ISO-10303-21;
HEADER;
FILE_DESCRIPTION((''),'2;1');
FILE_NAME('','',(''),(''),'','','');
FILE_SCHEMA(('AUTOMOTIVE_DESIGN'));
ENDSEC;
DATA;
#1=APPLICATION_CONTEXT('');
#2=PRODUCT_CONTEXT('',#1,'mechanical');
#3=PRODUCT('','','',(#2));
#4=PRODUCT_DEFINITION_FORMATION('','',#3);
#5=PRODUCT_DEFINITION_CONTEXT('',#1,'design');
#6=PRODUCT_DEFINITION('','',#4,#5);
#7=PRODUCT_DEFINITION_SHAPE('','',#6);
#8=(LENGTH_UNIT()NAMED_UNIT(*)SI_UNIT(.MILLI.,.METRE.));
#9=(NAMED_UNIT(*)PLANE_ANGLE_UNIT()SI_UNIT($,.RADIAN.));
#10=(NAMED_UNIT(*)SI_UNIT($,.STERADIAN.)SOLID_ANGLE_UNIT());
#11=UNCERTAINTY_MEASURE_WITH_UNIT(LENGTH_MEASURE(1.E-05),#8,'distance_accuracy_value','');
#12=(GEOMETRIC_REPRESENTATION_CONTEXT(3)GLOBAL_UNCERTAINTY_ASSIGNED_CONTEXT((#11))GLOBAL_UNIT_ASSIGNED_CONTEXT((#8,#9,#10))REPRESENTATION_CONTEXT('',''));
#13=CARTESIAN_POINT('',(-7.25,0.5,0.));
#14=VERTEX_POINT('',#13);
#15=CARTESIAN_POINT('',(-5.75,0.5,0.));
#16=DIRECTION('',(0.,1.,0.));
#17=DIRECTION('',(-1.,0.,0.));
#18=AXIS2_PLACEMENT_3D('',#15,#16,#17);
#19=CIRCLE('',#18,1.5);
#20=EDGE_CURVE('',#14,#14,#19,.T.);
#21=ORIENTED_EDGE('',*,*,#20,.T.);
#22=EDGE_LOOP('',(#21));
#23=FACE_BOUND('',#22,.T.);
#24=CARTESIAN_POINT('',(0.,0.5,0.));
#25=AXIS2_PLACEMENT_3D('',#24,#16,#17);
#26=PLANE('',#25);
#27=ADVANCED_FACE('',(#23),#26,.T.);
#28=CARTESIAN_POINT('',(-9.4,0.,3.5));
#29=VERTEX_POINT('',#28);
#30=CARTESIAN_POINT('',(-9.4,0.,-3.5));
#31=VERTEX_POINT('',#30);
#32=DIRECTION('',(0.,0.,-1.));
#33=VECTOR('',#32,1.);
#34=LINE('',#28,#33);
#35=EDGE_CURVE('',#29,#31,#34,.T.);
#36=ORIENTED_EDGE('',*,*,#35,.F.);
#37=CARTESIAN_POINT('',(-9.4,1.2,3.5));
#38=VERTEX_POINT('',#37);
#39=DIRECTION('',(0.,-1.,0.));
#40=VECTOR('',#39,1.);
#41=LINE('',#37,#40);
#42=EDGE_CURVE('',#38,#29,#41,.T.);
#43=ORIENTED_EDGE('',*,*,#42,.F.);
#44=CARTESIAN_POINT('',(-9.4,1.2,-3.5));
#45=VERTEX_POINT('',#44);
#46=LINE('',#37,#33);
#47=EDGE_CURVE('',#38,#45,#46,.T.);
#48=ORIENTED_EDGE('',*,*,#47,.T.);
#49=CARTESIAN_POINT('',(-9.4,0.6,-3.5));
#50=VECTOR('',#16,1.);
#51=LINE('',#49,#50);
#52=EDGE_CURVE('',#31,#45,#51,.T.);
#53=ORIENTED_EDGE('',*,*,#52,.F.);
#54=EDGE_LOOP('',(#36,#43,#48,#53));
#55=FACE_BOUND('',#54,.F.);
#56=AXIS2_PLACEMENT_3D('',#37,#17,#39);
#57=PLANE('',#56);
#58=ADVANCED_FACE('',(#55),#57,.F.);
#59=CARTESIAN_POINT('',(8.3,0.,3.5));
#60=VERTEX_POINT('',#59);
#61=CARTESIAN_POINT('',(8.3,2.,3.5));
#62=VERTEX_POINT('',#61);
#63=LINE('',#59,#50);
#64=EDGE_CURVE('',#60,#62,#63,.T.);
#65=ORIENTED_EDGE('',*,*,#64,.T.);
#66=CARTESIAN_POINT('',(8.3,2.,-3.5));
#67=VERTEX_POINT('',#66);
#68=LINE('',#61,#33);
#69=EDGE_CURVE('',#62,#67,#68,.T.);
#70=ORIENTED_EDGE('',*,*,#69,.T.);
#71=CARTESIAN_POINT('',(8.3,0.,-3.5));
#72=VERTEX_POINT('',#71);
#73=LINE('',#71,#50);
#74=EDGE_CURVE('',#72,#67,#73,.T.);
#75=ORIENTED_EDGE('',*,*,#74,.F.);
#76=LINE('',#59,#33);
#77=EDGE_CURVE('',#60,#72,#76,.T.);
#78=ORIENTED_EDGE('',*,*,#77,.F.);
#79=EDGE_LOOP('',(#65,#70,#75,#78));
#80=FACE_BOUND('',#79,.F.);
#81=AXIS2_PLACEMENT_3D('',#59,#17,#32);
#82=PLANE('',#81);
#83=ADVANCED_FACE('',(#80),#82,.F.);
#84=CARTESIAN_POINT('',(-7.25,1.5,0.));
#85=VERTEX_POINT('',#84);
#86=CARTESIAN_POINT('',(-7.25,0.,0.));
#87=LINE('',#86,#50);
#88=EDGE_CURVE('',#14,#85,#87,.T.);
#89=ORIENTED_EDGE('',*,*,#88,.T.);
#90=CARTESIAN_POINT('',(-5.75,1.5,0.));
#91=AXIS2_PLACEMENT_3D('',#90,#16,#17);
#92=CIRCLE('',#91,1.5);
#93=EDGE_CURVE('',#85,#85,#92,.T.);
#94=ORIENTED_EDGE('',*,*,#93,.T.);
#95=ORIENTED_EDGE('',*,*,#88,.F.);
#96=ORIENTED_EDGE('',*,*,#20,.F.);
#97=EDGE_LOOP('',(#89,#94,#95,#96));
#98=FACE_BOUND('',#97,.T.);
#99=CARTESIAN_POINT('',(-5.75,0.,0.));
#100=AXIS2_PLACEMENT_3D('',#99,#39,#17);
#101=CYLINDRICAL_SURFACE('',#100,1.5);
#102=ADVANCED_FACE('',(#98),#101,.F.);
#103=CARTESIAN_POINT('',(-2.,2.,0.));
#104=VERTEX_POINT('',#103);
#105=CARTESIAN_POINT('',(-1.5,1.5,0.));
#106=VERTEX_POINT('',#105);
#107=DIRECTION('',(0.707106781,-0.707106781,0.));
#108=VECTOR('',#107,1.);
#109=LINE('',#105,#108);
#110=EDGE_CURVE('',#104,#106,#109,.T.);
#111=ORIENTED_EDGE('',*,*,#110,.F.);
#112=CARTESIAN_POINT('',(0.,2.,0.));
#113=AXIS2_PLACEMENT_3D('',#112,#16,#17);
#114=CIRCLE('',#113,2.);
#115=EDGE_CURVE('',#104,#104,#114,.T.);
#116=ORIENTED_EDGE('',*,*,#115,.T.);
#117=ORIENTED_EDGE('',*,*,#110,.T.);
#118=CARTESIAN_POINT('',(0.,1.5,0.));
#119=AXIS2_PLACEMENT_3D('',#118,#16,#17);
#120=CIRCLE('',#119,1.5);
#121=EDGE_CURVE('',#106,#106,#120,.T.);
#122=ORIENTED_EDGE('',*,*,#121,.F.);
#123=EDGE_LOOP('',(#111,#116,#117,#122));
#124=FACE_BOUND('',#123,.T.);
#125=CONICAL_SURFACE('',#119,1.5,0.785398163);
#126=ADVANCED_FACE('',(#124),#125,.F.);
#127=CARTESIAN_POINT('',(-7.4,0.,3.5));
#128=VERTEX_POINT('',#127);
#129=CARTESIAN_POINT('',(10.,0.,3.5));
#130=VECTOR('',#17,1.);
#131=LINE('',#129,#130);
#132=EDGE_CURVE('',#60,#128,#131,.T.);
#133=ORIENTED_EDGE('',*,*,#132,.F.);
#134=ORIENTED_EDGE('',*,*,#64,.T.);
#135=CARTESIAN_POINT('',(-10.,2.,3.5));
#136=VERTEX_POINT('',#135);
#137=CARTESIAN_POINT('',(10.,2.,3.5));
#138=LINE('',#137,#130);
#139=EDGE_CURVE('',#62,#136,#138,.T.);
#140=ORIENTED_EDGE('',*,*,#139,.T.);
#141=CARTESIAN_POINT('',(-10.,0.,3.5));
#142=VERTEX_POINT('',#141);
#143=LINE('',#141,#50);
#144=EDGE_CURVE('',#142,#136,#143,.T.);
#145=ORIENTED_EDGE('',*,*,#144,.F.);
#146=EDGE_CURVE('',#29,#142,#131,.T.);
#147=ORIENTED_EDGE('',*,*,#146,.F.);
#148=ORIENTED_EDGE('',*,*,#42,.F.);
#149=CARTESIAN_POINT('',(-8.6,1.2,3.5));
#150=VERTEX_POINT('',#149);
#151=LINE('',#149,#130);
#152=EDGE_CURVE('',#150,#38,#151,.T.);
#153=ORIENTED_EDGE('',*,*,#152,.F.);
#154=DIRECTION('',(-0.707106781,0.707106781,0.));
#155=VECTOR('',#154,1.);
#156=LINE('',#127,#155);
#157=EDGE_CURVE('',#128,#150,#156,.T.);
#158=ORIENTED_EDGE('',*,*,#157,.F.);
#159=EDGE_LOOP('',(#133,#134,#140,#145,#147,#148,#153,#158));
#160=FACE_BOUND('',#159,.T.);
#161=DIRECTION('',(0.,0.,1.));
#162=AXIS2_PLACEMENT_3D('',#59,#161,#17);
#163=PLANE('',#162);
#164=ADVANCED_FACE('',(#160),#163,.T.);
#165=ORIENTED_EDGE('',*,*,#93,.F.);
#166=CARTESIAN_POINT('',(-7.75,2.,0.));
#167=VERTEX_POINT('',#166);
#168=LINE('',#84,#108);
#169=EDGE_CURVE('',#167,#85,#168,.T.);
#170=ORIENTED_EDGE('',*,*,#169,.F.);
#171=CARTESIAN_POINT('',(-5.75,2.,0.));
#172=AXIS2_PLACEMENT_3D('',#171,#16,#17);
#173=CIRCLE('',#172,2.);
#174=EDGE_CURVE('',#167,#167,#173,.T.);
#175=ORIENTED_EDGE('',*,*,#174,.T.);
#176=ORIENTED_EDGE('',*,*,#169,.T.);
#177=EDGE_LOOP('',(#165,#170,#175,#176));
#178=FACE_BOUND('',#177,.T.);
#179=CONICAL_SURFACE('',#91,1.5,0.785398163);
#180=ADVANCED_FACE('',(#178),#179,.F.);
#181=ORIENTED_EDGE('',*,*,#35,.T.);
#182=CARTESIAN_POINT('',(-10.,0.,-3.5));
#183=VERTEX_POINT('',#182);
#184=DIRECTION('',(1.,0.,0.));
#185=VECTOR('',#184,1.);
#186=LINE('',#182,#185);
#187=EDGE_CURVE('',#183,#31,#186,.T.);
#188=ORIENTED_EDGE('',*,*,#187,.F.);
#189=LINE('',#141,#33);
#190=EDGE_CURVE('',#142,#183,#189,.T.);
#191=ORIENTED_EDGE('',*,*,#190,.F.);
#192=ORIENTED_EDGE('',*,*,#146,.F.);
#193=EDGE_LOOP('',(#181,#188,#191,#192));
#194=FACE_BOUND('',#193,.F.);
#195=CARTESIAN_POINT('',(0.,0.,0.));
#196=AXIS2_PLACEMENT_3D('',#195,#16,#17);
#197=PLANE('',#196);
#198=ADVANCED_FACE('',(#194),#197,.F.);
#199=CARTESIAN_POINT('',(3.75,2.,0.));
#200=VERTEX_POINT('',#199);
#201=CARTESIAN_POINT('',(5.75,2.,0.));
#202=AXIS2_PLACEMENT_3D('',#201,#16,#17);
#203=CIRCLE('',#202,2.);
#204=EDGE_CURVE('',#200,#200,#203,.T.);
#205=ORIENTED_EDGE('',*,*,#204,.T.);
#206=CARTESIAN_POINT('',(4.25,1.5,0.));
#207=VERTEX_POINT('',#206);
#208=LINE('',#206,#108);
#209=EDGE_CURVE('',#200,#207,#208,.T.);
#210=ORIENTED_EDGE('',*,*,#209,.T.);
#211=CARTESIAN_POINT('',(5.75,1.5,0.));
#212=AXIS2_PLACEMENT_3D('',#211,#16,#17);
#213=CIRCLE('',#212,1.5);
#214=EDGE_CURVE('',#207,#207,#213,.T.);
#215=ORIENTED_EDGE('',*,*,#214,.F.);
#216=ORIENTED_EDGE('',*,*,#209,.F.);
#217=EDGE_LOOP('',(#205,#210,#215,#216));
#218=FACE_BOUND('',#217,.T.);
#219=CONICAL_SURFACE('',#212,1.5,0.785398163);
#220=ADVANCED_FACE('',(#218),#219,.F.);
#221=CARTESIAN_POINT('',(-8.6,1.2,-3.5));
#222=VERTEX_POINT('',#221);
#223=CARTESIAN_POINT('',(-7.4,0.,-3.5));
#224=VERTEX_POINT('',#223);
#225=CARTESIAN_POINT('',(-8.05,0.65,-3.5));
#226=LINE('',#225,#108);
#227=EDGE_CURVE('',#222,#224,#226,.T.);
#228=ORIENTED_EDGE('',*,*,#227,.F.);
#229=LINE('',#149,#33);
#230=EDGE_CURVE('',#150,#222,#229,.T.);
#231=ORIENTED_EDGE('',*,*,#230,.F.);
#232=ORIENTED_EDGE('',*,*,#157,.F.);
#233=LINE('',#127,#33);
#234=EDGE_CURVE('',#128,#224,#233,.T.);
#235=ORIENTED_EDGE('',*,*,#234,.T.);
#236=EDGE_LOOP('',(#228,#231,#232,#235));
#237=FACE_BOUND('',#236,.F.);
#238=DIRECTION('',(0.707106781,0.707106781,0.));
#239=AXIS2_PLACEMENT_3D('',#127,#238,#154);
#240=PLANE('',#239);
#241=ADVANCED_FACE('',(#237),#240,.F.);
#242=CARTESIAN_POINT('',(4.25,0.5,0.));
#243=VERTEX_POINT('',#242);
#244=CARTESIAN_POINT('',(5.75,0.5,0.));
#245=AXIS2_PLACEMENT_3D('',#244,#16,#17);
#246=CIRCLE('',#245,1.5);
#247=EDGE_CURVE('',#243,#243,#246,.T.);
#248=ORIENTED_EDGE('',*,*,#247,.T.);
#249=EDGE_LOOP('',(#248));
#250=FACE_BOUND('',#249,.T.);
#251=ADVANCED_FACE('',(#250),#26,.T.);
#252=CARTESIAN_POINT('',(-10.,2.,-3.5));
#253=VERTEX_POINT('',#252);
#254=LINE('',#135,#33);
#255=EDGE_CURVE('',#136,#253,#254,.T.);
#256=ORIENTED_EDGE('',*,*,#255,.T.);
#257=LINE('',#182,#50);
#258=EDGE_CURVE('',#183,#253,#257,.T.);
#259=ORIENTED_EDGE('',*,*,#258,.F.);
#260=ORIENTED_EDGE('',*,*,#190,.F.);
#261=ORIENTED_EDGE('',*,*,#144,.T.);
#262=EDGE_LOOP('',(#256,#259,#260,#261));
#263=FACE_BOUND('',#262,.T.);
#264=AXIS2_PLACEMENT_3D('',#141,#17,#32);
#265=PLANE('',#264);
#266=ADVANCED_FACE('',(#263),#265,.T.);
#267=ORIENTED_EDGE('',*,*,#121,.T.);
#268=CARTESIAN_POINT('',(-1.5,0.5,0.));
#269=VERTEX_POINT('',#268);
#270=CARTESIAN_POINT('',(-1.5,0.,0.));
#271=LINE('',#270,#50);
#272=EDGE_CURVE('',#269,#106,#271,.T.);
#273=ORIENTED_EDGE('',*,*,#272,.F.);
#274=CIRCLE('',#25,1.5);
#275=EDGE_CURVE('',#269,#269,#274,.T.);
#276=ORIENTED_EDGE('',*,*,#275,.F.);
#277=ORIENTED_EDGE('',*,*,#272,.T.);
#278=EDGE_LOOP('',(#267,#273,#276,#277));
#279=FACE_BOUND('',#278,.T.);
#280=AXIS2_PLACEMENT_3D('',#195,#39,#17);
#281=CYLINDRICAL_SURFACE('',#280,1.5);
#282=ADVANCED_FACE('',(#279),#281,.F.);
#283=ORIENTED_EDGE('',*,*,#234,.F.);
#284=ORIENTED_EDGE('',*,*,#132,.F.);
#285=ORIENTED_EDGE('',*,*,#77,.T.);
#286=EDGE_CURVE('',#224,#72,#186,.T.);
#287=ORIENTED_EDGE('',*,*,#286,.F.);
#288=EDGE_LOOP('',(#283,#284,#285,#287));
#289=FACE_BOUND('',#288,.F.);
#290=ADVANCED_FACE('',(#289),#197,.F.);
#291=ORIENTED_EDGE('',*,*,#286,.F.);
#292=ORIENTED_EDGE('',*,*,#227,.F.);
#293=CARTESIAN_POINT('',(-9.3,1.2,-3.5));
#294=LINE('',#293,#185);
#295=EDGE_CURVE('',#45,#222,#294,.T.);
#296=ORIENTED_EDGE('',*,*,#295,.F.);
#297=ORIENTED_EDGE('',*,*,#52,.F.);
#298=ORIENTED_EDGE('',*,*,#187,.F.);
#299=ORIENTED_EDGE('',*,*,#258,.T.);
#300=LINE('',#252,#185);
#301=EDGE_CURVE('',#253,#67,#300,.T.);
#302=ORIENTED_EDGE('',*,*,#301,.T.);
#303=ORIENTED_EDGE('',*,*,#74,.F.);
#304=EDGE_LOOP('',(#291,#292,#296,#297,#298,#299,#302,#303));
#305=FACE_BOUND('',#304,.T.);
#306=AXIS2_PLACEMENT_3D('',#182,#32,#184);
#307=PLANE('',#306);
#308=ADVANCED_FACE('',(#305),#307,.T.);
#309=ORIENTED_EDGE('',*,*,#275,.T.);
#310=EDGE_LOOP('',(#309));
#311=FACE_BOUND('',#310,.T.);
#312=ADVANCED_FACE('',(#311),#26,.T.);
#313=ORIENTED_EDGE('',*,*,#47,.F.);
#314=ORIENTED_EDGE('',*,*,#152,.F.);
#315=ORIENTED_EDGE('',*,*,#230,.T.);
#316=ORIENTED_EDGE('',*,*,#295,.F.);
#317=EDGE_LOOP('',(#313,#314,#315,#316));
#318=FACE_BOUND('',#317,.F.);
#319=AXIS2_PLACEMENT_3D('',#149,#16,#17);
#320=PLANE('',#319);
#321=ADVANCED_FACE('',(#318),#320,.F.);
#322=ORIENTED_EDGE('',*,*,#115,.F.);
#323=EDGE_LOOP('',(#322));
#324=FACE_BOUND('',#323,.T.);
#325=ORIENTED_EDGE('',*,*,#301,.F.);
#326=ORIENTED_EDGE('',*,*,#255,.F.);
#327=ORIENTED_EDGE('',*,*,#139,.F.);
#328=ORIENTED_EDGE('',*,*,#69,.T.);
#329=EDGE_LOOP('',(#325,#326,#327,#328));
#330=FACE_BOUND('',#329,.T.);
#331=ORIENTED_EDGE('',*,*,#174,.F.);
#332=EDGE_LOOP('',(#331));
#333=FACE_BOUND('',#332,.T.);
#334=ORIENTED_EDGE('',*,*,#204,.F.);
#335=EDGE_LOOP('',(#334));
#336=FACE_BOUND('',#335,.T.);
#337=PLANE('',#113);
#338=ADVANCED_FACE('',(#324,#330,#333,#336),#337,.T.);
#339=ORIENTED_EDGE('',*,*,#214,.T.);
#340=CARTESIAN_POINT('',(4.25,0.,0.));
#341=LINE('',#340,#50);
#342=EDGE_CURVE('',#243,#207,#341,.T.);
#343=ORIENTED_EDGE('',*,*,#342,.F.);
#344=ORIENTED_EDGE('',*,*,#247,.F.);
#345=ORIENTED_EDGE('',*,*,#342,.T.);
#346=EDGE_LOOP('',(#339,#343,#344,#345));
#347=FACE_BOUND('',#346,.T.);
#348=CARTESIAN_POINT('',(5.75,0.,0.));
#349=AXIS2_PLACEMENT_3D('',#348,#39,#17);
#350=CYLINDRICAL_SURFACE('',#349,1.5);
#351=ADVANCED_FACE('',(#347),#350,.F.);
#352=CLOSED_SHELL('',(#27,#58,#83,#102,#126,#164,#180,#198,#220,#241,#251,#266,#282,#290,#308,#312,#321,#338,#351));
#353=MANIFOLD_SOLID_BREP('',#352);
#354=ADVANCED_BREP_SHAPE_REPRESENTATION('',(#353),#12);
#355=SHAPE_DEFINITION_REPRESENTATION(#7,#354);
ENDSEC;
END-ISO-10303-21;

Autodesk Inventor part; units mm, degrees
ref_plane "YZ Plane" through (0, 0, 0) normal (1, 0, 0) x (0, 1, 0)
ref_plane "XZ Plane" through (0, 0, 0) normal (0, 1, 0) x (-1, 0, 0)
ref_plane "XY Plane" through (0, 0, 0) normal (0, 0, 1) x (1, 0, 0)
sketch "Sketch1" plane through (0, 0, 0) normal (0, 1, 0) x (-1, 0, 0)
  line L0 (-10, 3.5) -> (10, 3.5)
  line L1 (10, 3.5) -> (10, -3.5)
  line L2 (10, -3.5) -> (-10, -3.5)
  line L3 (-10, -3.5) -> (-10, 3.5)
  line L4 (-10, 3.5) -> (10, -3.5) construction
  line L5 (10, 3.5) -> (-10, -3.5) construction
  line L6 (-10, 0) -> (10, 0) construction
  circle A0 centre (-5.75, 0) radius 1.5
  circle A1 centre (5.75, 0) radius 1.5
  circle A2 centre (0, 0) radius 1.5
  line L7 (-8.3, 3.5) -> (-8.3, -3.5)
  point P0 (0, 0)
  dimension "d0" = 7
  dimension "d1" = 20
  dimension "d2" = 3
  dimension "d3" = 3
  dimension "d4" = 3
  dimension "d5" = 5.75
  dimension "d6" = 5.75
  dimension "d7" = 4.25
  dimension "d8" = 4.25
  dimension "d16" = 1.7
extrude "Extrusion1" add sketch "Sketch1" along normal blind 2 contours L0 L1 L2 L7
extrude "Extrusion2" add sketch "Sketch1" along normal blind 0.5 contours A0 | A1 | A2
chamfer "Chamfer1" distance 0.5 angle 45 3 edges at (7.25, 2, 0) (1.5, 2, 0) (-4.25, 2, 0)
sketch "Sketch2" plane through (-10, 0, 3.5) normal (0, 0, 1) x (1, 0, 0)
  line L0 (0, 0) -> (18.3, 0) projected
  line L1 (18.3, 0) -> (18.3, 2) projected
  line L2 (0, 2) -> (18.3, 2) projected
  line L3 (0, 0) -> (0, 2) projected
  line L4 (2.75, 1.5) -> (5.75, 1.5) projected
  line L5 (6.25, 2) -> (2.25, 2) projected
  line L6 (2.75, 1.5) -> (2.25, 2)
  line L7 (2.6, 0) -> (1.4, 1.2)
  line L8 (0.6, 1.2) -> (0.6, 0)
  line L9 (2.75, 0.5) -> (5.75, 0.5) projected
  line L10 (2.75, 1.5) -> (2.75, 0.5)
  line L11 (2.75, 1.5) -> (2.75, 0.5) projected
  line L12 (5.75, 0.5) -> (5.75, 1.5)
  line L13 (5.75, 1.5) -> (6.25, 2)
  line L14 (1.4, 1.2) -> (0.6, 1.2)
  point P0 (10, 0)
  dimension "d17" = 0.6
  dimension "d18" = 90
  dimension "d19" = 45
  dimension "d21" = 0.8
  dimension "d22" = 1.2
  dimension "d23" = 0.4596
extrude "Extrusion3" cut sketch "Sketch2" against normal through all contours L8 L14 L7 L0
equation "\"d6\" = d5"
equation "\"d7\" = d5 - 0.5 * d3"
equation "\"d8\" = d5 - 0.5 * d2"
properties part number "glue_test_flex_2"
